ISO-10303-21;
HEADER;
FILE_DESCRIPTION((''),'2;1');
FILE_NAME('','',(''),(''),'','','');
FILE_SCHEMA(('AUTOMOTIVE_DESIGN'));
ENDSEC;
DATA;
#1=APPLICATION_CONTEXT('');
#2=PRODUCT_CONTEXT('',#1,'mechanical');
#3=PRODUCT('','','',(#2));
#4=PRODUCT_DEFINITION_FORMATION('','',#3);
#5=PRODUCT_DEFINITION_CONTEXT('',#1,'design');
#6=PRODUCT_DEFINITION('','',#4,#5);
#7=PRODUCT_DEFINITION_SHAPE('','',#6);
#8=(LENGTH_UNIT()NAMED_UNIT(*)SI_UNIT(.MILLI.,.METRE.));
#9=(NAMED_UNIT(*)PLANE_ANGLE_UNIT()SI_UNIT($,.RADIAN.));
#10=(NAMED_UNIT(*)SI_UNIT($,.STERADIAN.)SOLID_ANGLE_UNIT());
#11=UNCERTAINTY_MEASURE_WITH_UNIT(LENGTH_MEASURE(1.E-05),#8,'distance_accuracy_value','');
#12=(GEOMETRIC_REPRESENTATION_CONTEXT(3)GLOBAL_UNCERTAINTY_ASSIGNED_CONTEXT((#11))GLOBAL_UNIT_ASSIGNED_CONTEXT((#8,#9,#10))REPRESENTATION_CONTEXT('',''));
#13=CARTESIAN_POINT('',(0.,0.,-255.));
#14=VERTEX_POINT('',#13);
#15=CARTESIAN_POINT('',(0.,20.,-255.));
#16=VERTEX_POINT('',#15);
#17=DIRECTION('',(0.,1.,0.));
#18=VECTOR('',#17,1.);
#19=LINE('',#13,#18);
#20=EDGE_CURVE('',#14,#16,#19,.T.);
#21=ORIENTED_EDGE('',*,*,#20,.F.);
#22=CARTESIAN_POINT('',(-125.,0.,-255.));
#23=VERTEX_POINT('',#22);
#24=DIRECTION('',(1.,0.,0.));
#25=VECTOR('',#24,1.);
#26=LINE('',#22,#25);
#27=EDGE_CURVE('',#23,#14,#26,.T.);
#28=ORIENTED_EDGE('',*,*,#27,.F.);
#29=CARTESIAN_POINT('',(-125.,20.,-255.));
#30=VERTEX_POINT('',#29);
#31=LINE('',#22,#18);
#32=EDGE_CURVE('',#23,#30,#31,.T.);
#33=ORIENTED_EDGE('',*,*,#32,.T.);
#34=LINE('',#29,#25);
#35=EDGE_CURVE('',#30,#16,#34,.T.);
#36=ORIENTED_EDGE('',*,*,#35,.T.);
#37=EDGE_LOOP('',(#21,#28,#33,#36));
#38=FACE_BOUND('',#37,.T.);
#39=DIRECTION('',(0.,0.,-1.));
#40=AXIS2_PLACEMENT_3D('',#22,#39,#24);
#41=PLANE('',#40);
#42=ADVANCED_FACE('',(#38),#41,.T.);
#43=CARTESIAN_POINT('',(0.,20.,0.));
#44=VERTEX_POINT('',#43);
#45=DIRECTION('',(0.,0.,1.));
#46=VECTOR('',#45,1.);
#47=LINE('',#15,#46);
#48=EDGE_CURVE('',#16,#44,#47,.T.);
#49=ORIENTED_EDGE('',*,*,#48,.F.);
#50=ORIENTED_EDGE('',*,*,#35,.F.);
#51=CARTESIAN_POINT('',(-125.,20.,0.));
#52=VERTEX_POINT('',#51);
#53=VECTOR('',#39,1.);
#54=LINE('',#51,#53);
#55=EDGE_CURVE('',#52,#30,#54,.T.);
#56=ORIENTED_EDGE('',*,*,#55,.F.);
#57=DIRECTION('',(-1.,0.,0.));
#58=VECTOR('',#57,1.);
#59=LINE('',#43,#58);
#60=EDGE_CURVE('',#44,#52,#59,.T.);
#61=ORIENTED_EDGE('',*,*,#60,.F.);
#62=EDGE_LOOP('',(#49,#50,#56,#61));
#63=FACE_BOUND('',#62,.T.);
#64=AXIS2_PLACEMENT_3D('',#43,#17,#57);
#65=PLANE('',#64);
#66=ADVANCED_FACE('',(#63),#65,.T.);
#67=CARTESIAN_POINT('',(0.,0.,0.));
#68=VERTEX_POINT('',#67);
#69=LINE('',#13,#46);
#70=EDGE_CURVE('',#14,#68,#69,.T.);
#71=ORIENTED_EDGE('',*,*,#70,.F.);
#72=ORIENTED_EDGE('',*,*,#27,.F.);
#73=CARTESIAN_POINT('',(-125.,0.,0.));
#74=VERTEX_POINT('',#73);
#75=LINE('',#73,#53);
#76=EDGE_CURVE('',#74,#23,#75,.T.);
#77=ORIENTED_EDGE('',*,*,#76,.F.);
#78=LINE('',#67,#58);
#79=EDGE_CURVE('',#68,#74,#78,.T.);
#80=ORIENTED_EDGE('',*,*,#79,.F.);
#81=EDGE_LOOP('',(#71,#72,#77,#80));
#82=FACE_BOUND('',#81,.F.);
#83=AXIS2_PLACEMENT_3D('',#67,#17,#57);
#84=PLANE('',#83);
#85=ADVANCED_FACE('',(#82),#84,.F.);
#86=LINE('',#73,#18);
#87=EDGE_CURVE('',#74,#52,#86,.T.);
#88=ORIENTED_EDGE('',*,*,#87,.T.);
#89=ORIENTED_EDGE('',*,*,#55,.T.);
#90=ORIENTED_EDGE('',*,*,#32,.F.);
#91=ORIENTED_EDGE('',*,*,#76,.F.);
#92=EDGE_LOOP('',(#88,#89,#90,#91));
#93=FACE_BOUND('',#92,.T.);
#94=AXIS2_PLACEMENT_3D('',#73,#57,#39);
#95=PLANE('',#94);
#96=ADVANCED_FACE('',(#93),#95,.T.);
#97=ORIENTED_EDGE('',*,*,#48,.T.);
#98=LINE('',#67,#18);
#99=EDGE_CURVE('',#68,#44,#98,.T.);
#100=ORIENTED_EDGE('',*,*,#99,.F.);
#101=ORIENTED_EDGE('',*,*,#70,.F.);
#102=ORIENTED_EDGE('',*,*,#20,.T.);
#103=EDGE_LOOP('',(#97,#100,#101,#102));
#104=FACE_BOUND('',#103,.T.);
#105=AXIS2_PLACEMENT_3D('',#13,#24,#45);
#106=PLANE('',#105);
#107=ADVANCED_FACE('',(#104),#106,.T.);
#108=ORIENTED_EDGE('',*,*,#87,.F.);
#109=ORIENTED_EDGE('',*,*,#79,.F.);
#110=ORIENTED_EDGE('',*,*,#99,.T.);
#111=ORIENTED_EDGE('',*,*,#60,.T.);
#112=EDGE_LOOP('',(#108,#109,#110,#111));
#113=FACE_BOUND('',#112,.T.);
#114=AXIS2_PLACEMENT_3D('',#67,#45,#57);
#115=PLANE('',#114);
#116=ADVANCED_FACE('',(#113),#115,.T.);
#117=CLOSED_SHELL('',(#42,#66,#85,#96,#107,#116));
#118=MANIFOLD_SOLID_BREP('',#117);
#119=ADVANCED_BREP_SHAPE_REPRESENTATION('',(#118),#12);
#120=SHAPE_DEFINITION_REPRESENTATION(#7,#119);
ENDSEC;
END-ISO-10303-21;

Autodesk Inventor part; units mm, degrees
ref_plane "YZ Plane" through (0, 0, 0) normal (1, 0, 0) x (0, 1, 0)
ref_plane "XZ Plane" through (0, 0, 0) normal (0, 1, 0) x (-1, 0, 0)
ref_plane "XY Plane" through (0, 0, 0) normal (0, 0, 1) x (1, 0, 0)
sketch "Sketch1" plane through (0, 0, 0) normal (0, 1, 0) x (-1, 0, 0)
  line L0 (0, 0) -> (125, 0)
  line L1 (125, 0) -> (125, -255)
  line L2 (125, -255) -> (0, -255)
  line L3 (0, -255) -> (0, 0)
  dimension "d0" = 125
  dimension "d1" = 255
extrude "Extrusion1" add sketch "Sketch1" along normal blind 20
properties part number "Wooden Base"
